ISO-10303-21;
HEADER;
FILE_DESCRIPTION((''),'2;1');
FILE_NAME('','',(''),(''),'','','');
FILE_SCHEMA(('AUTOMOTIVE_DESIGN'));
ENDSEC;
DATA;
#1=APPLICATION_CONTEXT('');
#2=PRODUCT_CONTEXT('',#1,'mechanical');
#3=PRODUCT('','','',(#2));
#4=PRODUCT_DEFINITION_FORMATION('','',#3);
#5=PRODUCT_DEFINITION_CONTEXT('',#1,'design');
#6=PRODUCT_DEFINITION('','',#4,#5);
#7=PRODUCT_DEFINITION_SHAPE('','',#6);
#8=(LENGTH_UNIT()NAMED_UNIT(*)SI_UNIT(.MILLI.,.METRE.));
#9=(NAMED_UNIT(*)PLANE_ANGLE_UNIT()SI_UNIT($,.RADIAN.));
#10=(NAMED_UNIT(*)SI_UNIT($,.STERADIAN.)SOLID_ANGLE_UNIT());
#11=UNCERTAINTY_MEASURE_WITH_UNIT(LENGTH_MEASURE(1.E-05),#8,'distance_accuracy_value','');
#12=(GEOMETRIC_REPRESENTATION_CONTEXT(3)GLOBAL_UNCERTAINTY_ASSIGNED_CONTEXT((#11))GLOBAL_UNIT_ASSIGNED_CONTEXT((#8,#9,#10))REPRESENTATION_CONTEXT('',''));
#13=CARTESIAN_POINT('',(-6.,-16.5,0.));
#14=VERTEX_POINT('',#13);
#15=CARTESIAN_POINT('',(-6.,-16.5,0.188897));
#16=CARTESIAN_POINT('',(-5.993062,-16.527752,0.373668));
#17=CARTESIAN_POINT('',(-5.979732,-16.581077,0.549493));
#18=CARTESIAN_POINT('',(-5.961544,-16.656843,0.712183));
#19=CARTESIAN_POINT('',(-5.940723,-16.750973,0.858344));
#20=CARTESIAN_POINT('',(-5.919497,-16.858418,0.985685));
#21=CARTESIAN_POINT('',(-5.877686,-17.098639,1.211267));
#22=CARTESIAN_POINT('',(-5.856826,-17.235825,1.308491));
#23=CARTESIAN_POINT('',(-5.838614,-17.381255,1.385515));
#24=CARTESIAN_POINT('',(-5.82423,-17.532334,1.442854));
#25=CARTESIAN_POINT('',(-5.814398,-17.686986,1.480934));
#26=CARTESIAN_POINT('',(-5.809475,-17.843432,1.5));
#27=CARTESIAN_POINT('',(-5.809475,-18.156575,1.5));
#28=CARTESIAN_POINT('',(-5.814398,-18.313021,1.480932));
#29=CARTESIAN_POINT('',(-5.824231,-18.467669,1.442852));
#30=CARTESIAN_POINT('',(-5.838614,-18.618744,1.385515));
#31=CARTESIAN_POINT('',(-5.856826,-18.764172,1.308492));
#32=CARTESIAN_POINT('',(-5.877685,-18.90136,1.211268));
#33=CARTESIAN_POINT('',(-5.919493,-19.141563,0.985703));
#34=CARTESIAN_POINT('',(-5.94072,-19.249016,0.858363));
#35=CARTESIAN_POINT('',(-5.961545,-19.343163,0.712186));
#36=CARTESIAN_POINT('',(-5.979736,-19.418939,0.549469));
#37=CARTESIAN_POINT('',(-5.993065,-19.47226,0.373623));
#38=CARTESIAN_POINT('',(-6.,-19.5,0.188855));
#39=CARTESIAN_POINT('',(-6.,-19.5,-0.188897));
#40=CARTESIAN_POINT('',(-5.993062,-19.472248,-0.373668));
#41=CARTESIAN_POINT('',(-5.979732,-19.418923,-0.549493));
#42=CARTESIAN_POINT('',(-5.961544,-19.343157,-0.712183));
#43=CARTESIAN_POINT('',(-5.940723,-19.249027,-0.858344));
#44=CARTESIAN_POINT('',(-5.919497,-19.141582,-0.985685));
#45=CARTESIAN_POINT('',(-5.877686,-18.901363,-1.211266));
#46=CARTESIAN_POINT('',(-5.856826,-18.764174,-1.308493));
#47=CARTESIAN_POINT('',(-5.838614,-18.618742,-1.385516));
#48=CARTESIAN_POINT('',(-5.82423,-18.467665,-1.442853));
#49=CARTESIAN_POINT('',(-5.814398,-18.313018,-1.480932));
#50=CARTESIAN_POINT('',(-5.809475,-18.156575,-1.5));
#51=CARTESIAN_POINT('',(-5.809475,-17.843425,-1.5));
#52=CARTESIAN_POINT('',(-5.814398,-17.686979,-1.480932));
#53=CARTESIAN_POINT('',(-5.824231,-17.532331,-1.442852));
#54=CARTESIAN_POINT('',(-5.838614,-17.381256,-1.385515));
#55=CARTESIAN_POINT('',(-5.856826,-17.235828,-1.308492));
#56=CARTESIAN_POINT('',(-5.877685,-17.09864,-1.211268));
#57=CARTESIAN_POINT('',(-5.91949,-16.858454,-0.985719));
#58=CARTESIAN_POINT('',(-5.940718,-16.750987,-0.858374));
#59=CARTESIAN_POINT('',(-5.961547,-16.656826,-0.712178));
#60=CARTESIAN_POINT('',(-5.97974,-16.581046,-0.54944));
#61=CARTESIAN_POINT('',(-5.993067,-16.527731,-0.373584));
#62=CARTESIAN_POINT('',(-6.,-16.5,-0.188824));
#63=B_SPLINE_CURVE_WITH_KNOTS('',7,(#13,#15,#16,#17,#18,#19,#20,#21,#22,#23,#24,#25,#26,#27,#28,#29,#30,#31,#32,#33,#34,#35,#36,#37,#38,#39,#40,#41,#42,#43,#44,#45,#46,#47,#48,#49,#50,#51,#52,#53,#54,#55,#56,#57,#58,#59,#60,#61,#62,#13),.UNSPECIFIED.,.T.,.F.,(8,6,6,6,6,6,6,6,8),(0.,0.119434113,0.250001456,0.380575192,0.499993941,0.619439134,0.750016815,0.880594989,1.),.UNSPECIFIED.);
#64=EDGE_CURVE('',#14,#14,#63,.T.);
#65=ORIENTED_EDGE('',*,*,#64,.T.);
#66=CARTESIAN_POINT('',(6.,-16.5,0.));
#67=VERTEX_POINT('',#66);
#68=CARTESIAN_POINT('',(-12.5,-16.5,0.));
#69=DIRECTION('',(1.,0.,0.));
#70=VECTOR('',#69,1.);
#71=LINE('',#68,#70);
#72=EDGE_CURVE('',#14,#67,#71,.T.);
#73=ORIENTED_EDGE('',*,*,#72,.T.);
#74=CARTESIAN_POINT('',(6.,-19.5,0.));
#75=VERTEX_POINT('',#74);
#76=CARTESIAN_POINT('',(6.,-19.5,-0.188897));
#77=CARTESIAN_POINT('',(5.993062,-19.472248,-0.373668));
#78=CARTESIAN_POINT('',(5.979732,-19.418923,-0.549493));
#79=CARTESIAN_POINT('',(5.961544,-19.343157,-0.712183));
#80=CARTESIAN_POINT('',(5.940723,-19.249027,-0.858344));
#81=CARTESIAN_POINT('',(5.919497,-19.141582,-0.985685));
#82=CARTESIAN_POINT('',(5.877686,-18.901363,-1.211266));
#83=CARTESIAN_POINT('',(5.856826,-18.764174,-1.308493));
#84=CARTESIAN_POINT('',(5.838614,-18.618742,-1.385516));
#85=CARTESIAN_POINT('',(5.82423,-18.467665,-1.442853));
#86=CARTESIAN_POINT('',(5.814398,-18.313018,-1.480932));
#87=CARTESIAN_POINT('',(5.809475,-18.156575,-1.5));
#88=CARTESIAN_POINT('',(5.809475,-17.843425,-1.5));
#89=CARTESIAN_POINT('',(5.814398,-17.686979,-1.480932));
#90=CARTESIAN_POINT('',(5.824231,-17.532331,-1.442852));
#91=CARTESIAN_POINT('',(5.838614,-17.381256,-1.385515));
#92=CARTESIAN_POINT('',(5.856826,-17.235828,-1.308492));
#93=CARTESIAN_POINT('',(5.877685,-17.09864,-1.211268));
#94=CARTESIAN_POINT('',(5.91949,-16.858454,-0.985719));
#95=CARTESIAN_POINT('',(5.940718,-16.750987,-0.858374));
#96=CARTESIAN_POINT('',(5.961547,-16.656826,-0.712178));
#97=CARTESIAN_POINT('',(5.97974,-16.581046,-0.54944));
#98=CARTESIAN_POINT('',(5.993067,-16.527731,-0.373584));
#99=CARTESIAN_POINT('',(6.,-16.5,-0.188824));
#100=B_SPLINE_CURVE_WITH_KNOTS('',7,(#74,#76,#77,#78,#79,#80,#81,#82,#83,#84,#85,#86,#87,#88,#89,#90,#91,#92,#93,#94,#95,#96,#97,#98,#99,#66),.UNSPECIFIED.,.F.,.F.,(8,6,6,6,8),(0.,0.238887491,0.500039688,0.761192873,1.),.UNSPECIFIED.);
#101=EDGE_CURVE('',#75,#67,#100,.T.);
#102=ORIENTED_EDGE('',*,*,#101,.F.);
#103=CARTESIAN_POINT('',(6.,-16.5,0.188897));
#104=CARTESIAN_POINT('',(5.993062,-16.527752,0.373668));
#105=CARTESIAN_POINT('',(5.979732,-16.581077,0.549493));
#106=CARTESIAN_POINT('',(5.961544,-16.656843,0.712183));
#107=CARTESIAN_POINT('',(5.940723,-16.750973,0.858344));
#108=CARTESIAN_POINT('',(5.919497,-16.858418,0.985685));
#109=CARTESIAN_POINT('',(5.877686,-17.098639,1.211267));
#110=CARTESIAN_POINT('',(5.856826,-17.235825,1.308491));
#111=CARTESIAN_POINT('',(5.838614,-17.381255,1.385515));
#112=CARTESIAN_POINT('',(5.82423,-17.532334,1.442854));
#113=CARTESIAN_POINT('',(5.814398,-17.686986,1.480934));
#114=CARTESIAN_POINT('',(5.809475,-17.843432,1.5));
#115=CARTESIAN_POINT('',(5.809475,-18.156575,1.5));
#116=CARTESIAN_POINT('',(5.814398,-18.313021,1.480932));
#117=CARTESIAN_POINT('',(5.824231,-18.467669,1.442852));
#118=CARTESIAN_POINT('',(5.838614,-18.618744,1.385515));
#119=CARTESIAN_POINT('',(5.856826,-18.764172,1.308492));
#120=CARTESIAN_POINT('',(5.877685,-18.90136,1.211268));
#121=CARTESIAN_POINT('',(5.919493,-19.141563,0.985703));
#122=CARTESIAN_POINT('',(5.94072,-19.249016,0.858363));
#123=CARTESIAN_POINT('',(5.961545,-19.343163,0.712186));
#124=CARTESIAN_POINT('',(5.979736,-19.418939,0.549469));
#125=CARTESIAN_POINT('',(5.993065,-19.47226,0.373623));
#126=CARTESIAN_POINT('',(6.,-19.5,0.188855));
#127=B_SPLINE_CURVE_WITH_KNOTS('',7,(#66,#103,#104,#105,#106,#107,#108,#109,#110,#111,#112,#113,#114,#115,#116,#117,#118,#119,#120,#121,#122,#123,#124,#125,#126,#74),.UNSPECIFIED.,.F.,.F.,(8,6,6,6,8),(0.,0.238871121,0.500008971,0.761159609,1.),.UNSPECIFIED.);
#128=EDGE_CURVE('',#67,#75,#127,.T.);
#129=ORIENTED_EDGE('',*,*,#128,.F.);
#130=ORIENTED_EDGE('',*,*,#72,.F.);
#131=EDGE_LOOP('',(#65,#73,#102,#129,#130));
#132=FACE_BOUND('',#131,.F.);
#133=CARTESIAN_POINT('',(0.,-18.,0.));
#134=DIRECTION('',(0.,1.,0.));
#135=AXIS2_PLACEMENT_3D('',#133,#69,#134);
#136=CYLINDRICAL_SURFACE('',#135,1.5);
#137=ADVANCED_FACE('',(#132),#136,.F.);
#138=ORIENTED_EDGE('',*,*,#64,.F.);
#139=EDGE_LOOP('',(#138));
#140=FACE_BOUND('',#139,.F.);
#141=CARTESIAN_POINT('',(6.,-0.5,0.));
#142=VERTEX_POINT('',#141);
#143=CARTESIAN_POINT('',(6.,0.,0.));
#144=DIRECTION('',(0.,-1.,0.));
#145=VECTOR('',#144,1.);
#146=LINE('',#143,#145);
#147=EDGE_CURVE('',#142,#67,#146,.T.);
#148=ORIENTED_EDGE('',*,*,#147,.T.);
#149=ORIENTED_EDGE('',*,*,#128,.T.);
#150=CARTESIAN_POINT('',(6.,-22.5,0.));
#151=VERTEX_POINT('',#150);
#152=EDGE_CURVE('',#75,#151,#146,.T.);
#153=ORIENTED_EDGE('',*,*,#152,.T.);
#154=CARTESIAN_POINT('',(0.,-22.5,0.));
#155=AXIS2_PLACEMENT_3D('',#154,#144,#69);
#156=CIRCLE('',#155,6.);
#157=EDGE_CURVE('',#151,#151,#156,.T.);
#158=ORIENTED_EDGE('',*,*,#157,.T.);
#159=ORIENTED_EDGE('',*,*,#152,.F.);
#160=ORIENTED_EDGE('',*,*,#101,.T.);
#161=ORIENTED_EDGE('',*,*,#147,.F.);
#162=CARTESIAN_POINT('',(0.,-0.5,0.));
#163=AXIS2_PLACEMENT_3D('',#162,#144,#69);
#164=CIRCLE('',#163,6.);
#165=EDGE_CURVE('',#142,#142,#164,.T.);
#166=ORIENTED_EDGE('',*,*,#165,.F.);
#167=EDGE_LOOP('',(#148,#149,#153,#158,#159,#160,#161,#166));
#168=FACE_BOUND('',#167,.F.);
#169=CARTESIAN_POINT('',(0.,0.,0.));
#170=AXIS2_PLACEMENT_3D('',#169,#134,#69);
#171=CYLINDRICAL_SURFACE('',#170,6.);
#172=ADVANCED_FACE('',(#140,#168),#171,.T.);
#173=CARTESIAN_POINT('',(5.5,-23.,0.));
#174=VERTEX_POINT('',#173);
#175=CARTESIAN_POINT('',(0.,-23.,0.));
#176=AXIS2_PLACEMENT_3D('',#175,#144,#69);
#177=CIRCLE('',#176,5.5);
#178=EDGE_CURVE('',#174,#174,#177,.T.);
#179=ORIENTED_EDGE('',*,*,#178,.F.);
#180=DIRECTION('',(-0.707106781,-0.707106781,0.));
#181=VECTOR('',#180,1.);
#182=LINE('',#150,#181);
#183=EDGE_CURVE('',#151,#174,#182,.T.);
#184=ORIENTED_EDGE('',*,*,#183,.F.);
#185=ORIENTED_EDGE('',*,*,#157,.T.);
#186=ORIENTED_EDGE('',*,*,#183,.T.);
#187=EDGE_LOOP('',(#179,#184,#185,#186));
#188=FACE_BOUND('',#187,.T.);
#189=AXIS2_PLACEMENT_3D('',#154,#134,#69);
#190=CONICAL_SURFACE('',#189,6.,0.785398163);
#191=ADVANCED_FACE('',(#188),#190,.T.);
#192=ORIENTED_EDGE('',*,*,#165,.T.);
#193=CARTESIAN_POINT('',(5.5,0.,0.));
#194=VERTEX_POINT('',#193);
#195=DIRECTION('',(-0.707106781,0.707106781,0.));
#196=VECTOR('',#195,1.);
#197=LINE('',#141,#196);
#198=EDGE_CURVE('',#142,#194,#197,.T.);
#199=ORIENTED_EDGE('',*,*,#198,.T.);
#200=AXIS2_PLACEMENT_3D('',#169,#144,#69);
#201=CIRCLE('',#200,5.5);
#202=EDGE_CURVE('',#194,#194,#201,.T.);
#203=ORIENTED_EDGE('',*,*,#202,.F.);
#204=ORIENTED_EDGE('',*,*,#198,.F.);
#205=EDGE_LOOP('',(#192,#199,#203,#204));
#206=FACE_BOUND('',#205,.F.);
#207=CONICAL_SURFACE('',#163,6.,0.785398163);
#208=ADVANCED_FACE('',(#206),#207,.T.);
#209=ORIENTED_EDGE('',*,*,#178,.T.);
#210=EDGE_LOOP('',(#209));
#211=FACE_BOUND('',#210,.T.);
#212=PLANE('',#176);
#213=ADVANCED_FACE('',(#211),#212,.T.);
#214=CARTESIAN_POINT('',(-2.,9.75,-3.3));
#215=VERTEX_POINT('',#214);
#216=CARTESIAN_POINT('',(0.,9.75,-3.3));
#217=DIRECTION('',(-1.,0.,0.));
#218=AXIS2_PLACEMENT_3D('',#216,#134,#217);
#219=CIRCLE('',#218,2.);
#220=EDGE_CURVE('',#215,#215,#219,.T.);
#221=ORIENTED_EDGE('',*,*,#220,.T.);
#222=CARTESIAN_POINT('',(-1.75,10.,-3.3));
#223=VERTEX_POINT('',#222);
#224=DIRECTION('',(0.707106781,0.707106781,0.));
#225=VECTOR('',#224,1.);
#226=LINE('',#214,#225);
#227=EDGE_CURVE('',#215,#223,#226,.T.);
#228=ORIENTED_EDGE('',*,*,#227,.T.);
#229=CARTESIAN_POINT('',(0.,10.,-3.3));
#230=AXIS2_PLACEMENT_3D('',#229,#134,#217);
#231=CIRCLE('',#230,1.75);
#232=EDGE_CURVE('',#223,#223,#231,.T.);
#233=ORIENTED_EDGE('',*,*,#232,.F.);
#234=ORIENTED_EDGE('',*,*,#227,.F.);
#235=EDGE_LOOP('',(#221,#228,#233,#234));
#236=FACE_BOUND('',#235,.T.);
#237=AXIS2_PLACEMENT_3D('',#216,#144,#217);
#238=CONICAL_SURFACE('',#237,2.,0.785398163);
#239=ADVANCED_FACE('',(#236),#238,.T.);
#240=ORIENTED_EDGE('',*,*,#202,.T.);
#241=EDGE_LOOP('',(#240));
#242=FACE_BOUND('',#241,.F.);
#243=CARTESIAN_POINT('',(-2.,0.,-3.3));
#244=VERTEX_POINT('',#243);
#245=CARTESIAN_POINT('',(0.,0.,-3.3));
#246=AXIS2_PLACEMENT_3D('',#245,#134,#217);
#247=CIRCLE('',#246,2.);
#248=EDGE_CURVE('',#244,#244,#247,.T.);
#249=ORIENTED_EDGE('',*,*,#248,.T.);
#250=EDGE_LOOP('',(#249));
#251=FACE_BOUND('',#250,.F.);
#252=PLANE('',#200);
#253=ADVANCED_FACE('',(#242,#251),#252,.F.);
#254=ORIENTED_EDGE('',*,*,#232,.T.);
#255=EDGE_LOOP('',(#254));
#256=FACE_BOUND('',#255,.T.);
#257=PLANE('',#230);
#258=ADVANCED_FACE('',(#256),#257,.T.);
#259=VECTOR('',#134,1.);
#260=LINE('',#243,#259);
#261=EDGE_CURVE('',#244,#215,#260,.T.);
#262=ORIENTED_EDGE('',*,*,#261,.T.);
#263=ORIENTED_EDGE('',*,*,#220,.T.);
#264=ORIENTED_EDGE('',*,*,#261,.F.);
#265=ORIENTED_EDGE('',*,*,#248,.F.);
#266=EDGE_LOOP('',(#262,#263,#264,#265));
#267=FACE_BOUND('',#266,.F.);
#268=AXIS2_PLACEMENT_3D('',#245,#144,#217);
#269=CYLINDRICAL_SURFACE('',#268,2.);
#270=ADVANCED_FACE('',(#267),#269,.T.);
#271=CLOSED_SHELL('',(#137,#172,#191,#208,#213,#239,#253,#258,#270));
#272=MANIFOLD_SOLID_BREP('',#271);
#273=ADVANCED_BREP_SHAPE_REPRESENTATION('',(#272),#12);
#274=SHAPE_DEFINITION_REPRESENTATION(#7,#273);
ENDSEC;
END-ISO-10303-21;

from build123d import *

# Parameters (mm, degrees)
F0_R     = 6
F1_DEPTH = 23
F2_SIZE  = 0.5
F3_R     = 1.5
F4_DEPTH = 12.5
F5_R     = 2
F6_DEPTH = 10
F7_SIZE  = 0.25


with BuildPart() as f1:
    # F0 (on Front) → F1 (new body)
    with BuildSketch(Plane.XZ):
        Circle(F0_R)
    extrude(amount=F1_DEPTH)

    # F2
    f2_edges = [f1.edges().sort_by_distance(p)[0] for p in [
        (-6, -23, 0),
        (-6, 0, 0),
    ]]
    chamfer(f2_edges, length=F2_SIZE)

    # F3 (on Right) → F4 (cut, symmetric)
    with BuildSketch(Plane.YZ):
        with Locations((-18, 0)):
            Circle(F3_R)
    extrude(amount=F4_DEPTH, both=True, mode=Mode.SUBTRACT)

    # F5 (on face) → F6 (join)
    with BuildSketch(Plane(origin=(0, 0, 0), x_dir=(-1, 0, 0), z_dir=(0, 1, 0))):
        with Locations((0, -3.3)):
            Circle(F5_R)
    extrude(amount=F6_DEPTH)

    # F7
    f7_edges = [f1.edges().sort_by_distance(p)[0] for p in [
        (2, 10, -3.3),
    ]]
    chamfer(f7_edges, length=F7_SIZE)


solid = f1.part
